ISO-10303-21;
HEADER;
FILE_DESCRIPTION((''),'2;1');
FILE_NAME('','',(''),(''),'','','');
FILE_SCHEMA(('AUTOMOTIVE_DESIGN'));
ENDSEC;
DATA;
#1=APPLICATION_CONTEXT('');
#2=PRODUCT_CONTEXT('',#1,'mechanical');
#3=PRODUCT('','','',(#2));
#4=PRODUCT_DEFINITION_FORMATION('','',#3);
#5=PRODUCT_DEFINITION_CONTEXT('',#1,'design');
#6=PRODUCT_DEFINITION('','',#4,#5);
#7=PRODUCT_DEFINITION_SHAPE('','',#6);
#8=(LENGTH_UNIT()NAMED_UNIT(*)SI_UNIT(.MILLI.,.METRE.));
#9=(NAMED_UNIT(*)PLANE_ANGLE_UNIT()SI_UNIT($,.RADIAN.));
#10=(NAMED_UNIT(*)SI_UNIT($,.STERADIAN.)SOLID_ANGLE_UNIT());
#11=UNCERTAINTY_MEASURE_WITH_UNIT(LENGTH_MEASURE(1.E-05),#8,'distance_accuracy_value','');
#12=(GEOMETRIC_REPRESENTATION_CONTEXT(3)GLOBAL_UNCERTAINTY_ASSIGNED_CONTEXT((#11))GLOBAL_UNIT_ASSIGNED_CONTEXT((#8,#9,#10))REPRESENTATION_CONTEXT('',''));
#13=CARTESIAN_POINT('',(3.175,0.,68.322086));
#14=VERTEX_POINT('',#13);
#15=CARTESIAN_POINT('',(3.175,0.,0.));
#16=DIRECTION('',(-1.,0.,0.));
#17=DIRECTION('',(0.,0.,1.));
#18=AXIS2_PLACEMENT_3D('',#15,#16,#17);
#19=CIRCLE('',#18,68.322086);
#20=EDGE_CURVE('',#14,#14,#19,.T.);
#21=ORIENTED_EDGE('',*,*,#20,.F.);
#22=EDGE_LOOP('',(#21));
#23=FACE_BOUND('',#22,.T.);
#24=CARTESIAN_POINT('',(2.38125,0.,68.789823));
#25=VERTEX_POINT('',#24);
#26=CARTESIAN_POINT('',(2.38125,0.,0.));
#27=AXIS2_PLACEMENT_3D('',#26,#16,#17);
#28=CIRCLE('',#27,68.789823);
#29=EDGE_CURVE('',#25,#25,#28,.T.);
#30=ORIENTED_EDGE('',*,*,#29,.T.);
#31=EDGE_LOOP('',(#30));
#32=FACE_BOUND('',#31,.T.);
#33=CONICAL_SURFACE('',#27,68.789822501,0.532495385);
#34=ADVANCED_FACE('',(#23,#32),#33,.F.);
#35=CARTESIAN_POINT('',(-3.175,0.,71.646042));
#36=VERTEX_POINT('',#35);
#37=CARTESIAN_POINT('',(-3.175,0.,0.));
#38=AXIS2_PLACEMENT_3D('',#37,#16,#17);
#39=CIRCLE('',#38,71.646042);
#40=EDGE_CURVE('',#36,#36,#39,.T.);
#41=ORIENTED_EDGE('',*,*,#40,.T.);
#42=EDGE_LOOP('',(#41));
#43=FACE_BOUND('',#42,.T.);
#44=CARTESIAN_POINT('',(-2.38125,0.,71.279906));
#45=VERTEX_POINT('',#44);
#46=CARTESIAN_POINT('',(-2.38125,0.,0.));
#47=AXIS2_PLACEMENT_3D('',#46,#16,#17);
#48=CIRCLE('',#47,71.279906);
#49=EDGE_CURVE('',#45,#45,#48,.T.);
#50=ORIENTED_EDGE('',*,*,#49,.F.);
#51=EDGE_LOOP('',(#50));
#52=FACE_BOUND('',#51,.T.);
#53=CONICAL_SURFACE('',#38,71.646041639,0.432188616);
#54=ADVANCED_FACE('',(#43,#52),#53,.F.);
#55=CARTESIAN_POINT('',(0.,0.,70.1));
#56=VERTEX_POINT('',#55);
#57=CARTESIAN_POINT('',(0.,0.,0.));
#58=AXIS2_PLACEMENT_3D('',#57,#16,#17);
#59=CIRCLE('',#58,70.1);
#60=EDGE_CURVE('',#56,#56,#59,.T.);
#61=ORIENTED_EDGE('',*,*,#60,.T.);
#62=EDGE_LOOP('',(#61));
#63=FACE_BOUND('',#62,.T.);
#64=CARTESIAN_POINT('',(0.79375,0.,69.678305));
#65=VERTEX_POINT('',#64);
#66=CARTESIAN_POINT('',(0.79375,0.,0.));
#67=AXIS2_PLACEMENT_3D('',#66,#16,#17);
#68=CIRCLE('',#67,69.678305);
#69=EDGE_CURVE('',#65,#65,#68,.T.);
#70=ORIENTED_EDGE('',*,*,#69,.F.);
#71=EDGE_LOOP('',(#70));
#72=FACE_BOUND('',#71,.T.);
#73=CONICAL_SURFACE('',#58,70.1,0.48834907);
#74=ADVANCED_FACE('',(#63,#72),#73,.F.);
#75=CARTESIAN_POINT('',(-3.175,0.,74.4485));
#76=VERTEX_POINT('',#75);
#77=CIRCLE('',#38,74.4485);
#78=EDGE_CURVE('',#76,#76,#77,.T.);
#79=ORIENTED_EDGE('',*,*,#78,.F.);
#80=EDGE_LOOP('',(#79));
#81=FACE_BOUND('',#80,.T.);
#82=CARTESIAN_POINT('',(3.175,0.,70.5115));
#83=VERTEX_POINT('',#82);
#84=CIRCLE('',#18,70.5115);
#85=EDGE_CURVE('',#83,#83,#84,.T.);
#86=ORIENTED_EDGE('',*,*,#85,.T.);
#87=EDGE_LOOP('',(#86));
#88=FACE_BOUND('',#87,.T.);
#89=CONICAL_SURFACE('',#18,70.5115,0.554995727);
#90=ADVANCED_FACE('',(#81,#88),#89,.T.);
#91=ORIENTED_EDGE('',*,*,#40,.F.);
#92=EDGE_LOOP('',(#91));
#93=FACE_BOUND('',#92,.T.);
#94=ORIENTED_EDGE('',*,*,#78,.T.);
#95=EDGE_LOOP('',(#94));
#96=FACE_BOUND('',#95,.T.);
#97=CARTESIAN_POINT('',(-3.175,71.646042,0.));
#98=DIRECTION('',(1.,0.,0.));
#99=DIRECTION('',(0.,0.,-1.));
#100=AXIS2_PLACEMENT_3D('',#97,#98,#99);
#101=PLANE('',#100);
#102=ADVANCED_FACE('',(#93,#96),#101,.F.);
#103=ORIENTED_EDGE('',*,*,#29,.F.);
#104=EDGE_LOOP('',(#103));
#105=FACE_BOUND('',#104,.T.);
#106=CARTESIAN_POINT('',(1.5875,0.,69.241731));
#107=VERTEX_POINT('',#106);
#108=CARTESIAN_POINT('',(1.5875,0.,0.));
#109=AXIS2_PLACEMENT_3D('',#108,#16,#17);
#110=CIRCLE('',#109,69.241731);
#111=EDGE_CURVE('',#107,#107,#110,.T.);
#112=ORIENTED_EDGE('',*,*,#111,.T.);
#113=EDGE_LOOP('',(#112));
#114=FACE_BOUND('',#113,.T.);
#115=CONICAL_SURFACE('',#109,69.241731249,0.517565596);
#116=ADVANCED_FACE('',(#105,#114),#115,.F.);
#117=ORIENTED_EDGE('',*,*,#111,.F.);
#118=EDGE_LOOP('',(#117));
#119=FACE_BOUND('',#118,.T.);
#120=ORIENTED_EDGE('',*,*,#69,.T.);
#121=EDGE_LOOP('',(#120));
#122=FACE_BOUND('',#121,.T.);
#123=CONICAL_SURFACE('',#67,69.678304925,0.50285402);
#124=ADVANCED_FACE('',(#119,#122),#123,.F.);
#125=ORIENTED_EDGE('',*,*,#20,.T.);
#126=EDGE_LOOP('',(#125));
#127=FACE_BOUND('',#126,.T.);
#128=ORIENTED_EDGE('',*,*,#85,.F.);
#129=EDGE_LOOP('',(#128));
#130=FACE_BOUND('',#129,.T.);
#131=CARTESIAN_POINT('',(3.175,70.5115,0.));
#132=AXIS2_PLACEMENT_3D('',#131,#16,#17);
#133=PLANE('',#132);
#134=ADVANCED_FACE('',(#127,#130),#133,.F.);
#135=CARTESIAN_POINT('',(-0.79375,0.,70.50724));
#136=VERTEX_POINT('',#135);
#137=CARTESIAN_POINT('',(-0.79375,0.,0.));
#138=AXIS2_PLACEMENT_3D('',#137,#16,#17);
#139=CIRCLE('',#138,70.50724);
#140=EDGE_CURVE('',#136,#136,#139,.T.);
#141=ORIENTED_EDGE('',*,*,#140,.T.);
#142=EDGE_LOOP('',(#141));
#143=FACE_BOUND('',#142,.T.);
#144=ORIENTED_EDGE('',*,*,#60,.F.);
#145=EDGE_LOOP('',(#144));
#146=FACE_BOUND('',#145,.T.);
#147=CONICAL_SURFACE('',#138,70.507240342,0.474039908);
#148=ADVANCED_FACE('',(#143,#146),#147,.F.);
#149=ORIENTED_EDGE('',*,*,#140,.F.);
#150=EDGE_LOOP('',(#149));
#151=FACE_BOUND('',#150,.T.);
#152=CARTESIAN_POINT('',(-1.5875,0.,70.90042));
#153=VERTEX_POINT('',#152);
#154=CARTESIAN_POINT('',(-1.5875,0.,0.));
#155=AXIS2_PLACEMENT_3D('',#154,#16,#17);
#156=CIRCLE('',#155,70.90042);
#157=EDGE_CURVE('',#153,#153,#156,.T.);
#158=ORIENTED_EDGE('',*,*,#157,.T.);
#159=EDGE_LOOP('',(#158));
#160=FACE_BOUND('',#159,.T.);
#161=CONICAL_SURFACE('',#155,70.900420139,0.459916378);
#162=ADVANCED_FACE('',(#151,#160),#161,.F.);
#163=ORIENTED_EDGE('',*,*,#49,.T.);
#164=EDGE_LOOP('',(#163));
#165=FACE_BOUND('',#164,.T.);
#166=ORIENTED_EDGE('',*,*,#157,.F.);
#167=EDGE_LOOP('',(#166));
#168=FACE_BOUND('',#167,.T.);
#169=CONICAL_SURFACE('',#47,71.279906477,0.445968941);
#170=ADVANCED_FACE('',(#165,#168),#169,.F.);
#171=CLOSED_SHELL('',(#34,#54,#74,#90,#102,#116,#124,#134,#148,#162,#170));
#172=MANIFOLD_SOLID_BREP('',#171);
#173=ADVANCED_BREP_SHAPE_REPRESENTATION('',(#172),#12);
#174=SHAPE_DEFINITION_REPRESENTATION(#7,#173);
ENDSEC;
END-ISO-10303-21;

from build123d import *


with BuildPart() as part:
    # Bottle_Liner_Seat Sketch → Bottle_Liner_Seat (revolve)
    with BuildSketch(Plane.XY):
        Polygon((3.175, 68.322086283), (2.38125, 68.789822501), (1.5875, 69.241731249), (0.79375, 69.678304925), (0, 70.1), (-0.79375, 70.507240342), (-1.5875, 70.900420139), (-2.38125, 71.279906477), (-3.175, 71.646041639), (-3.175, 74.4485), (3.175, 70.5115), align=None)
    revolve(axis=Axis((-300, 0, 0), (1, 0, 0)))


solid = part.part
